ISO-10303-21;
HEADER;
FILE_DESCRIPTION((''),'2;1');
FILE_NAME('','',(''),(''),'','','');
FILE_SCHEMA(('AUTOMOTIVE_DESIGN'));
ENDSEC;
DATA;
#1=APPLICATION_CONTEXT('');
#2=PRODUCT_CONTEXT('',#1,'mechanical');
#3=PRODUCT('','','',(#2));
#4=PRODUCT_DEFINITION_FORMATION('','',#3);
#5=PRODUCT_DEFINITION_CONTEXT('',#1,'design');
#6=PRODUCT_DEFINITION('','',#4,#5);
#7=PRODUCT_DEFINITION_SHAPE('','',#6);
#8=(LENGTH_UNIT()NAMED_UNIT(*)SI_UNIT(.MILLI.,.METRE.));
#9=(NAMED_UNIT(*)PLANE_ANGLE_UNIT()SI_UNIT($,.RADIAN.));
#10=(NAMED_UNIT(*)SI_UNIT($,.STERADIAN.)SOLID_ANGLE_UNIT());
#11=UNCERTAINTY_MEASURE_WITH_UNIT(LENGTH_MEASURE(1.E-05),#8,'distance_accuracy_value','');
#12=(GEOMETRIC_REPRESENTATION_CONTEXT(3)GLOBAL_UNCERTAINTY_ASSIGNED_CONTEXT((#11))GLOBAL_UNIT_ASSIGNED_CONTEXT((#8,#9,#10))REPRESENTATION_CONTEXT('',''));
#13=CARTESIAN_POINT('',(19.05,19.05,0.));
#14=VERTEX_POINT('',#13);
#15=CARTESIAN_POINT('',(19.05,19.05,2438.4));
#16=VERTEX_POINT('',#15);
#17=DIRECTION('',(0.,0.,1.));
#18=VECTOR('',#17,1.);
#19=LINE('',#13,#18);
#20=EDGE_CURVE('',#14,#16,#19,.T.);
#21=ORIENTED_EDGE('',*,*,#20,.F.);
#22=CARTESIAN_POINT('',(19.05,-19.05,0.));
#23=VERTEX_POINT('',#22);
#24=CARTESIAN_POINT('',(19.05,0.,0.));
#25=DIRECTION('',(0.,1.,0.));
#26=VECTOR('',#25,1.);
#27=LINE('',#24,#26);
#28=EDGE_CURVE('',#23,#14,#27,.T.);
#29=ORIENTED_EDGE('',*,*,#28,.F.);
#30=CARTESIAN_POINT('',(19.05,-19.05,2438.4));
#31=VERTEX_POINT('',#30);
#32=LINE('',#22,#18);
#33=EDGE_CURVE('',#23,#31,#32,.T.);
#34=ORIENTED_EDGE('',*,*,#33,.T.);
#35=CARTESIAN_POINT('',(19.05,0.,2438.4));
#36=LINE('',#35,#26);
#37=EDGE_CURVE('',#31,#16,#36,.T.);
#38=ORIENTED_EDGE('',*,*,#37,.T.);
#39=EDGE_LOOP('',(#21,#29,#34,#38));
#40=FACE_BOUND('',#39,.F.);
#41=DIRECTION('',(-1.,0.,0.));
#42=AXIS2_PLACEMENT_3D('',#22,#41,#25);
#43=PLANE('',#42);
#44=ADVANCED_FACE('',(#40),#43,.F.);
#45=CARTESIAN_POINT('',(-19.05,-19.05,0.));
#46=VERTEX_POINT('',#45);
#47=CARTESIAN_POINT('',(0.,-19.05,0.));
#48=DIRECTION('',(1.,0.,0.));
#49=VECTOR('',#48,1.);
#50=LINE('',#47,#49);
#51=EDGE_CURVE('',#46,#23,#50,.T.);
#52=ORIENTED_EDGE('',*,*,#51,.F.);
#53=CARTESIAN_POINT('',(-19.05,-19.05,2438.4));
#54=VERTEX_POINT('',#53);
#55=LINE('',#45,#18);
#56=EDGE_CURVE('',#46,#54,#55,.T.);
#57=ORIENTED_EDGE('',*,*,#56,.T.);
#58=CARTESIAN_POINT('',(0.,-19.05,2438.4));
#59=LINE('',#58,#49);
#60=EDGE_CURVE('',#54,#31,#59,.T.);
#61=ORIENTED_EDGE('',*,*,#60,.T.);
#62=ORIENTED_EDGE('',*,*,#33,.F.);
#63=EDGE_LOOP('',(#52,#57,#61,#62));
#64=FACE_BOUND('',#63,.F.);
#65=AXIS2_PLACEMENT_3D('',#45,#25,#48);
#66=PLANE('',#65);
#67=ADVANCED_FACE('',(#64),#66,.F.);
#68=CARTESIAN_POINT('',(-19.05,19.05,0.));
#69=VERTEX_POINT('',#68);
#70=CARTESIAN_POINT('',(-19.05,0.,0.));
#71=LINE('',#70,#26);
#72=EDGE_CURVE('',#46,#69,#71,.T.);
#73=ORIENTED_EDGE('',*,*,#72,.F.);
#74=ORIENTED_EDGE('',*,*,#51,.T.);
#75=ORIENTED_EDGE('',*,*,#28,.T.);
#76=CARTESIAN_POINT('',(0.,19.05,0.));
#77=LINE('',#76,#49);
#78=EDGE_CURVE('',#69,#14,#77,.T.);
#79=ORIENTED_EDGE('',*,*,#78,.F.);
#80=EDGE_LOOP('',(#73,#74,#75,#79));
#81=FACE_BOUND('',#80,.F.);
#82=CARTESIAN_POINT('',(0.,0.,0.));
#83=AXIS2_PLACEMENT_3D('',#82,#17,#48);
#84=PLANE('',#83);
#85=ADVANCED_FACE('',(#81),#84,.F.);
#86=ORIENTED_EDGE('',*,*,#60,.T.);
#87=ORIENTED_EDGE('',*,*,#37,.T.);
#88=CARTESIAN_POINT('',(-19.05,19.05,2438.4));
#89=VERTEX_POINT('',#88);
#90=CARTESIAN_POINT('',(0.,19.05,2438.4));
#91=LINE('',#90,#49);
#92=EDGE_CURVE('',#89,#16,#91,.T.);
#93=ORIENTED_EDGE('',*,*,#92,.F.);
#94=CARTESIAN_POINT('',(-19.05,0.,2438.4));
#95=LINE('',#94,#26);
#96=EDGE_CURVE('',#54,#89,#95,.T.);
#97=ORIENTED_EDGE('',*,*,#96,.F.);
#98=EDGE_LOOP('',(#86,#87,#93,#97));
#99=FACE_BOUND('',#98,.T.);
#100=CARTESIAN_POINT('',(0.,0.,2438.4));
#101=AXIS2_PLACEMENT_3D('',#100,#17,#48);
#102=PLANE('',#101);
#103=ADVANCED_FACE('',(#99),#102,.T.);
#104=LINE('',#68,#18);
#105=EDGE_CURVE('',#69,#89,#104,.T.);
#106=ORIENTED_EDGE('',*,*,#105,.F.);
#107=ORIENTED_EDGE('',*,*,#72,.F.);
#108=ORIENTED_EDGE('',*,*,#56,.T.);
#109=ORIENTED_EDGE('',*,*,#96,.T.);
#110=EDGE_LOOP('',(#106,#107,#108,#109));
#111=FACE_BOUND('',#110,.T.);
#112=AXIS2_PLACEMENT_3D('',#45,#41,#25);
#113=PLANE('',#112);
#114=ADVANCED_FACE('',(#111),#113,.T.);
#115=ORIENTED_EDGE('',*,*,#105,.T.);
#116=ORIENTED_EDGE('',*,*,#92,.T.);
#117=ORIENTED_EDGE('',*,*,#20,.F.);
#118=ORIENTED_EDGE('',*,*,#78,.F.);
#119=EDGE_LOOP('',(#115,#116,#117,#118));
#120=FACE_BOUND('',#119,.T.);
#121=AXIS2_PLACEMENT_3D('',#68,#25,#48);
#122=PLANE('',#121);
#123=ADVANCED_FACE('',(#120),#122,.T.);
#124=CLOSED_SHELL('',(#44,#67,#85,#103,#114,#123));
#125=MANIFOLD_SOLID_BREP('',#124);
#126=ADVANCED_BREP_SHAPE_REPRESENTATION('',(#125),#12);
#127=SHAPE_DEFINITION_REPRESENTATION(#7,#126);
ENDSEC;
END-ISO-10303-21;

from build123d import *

# Parameters (mm, degrees)
SKETCH_W  = 38.1
SKETCH_H  = 38.1
PAD_DEPTH = 2438.4


with BuildPart() as part:
    # Sketch → Pad (new body)
    with BuildSketch(Plane.XY):
        Rectangle(SKETCH_W, SKETCH_H)
    extrude(amount=PAD_DEPTH)


solid = part.part
